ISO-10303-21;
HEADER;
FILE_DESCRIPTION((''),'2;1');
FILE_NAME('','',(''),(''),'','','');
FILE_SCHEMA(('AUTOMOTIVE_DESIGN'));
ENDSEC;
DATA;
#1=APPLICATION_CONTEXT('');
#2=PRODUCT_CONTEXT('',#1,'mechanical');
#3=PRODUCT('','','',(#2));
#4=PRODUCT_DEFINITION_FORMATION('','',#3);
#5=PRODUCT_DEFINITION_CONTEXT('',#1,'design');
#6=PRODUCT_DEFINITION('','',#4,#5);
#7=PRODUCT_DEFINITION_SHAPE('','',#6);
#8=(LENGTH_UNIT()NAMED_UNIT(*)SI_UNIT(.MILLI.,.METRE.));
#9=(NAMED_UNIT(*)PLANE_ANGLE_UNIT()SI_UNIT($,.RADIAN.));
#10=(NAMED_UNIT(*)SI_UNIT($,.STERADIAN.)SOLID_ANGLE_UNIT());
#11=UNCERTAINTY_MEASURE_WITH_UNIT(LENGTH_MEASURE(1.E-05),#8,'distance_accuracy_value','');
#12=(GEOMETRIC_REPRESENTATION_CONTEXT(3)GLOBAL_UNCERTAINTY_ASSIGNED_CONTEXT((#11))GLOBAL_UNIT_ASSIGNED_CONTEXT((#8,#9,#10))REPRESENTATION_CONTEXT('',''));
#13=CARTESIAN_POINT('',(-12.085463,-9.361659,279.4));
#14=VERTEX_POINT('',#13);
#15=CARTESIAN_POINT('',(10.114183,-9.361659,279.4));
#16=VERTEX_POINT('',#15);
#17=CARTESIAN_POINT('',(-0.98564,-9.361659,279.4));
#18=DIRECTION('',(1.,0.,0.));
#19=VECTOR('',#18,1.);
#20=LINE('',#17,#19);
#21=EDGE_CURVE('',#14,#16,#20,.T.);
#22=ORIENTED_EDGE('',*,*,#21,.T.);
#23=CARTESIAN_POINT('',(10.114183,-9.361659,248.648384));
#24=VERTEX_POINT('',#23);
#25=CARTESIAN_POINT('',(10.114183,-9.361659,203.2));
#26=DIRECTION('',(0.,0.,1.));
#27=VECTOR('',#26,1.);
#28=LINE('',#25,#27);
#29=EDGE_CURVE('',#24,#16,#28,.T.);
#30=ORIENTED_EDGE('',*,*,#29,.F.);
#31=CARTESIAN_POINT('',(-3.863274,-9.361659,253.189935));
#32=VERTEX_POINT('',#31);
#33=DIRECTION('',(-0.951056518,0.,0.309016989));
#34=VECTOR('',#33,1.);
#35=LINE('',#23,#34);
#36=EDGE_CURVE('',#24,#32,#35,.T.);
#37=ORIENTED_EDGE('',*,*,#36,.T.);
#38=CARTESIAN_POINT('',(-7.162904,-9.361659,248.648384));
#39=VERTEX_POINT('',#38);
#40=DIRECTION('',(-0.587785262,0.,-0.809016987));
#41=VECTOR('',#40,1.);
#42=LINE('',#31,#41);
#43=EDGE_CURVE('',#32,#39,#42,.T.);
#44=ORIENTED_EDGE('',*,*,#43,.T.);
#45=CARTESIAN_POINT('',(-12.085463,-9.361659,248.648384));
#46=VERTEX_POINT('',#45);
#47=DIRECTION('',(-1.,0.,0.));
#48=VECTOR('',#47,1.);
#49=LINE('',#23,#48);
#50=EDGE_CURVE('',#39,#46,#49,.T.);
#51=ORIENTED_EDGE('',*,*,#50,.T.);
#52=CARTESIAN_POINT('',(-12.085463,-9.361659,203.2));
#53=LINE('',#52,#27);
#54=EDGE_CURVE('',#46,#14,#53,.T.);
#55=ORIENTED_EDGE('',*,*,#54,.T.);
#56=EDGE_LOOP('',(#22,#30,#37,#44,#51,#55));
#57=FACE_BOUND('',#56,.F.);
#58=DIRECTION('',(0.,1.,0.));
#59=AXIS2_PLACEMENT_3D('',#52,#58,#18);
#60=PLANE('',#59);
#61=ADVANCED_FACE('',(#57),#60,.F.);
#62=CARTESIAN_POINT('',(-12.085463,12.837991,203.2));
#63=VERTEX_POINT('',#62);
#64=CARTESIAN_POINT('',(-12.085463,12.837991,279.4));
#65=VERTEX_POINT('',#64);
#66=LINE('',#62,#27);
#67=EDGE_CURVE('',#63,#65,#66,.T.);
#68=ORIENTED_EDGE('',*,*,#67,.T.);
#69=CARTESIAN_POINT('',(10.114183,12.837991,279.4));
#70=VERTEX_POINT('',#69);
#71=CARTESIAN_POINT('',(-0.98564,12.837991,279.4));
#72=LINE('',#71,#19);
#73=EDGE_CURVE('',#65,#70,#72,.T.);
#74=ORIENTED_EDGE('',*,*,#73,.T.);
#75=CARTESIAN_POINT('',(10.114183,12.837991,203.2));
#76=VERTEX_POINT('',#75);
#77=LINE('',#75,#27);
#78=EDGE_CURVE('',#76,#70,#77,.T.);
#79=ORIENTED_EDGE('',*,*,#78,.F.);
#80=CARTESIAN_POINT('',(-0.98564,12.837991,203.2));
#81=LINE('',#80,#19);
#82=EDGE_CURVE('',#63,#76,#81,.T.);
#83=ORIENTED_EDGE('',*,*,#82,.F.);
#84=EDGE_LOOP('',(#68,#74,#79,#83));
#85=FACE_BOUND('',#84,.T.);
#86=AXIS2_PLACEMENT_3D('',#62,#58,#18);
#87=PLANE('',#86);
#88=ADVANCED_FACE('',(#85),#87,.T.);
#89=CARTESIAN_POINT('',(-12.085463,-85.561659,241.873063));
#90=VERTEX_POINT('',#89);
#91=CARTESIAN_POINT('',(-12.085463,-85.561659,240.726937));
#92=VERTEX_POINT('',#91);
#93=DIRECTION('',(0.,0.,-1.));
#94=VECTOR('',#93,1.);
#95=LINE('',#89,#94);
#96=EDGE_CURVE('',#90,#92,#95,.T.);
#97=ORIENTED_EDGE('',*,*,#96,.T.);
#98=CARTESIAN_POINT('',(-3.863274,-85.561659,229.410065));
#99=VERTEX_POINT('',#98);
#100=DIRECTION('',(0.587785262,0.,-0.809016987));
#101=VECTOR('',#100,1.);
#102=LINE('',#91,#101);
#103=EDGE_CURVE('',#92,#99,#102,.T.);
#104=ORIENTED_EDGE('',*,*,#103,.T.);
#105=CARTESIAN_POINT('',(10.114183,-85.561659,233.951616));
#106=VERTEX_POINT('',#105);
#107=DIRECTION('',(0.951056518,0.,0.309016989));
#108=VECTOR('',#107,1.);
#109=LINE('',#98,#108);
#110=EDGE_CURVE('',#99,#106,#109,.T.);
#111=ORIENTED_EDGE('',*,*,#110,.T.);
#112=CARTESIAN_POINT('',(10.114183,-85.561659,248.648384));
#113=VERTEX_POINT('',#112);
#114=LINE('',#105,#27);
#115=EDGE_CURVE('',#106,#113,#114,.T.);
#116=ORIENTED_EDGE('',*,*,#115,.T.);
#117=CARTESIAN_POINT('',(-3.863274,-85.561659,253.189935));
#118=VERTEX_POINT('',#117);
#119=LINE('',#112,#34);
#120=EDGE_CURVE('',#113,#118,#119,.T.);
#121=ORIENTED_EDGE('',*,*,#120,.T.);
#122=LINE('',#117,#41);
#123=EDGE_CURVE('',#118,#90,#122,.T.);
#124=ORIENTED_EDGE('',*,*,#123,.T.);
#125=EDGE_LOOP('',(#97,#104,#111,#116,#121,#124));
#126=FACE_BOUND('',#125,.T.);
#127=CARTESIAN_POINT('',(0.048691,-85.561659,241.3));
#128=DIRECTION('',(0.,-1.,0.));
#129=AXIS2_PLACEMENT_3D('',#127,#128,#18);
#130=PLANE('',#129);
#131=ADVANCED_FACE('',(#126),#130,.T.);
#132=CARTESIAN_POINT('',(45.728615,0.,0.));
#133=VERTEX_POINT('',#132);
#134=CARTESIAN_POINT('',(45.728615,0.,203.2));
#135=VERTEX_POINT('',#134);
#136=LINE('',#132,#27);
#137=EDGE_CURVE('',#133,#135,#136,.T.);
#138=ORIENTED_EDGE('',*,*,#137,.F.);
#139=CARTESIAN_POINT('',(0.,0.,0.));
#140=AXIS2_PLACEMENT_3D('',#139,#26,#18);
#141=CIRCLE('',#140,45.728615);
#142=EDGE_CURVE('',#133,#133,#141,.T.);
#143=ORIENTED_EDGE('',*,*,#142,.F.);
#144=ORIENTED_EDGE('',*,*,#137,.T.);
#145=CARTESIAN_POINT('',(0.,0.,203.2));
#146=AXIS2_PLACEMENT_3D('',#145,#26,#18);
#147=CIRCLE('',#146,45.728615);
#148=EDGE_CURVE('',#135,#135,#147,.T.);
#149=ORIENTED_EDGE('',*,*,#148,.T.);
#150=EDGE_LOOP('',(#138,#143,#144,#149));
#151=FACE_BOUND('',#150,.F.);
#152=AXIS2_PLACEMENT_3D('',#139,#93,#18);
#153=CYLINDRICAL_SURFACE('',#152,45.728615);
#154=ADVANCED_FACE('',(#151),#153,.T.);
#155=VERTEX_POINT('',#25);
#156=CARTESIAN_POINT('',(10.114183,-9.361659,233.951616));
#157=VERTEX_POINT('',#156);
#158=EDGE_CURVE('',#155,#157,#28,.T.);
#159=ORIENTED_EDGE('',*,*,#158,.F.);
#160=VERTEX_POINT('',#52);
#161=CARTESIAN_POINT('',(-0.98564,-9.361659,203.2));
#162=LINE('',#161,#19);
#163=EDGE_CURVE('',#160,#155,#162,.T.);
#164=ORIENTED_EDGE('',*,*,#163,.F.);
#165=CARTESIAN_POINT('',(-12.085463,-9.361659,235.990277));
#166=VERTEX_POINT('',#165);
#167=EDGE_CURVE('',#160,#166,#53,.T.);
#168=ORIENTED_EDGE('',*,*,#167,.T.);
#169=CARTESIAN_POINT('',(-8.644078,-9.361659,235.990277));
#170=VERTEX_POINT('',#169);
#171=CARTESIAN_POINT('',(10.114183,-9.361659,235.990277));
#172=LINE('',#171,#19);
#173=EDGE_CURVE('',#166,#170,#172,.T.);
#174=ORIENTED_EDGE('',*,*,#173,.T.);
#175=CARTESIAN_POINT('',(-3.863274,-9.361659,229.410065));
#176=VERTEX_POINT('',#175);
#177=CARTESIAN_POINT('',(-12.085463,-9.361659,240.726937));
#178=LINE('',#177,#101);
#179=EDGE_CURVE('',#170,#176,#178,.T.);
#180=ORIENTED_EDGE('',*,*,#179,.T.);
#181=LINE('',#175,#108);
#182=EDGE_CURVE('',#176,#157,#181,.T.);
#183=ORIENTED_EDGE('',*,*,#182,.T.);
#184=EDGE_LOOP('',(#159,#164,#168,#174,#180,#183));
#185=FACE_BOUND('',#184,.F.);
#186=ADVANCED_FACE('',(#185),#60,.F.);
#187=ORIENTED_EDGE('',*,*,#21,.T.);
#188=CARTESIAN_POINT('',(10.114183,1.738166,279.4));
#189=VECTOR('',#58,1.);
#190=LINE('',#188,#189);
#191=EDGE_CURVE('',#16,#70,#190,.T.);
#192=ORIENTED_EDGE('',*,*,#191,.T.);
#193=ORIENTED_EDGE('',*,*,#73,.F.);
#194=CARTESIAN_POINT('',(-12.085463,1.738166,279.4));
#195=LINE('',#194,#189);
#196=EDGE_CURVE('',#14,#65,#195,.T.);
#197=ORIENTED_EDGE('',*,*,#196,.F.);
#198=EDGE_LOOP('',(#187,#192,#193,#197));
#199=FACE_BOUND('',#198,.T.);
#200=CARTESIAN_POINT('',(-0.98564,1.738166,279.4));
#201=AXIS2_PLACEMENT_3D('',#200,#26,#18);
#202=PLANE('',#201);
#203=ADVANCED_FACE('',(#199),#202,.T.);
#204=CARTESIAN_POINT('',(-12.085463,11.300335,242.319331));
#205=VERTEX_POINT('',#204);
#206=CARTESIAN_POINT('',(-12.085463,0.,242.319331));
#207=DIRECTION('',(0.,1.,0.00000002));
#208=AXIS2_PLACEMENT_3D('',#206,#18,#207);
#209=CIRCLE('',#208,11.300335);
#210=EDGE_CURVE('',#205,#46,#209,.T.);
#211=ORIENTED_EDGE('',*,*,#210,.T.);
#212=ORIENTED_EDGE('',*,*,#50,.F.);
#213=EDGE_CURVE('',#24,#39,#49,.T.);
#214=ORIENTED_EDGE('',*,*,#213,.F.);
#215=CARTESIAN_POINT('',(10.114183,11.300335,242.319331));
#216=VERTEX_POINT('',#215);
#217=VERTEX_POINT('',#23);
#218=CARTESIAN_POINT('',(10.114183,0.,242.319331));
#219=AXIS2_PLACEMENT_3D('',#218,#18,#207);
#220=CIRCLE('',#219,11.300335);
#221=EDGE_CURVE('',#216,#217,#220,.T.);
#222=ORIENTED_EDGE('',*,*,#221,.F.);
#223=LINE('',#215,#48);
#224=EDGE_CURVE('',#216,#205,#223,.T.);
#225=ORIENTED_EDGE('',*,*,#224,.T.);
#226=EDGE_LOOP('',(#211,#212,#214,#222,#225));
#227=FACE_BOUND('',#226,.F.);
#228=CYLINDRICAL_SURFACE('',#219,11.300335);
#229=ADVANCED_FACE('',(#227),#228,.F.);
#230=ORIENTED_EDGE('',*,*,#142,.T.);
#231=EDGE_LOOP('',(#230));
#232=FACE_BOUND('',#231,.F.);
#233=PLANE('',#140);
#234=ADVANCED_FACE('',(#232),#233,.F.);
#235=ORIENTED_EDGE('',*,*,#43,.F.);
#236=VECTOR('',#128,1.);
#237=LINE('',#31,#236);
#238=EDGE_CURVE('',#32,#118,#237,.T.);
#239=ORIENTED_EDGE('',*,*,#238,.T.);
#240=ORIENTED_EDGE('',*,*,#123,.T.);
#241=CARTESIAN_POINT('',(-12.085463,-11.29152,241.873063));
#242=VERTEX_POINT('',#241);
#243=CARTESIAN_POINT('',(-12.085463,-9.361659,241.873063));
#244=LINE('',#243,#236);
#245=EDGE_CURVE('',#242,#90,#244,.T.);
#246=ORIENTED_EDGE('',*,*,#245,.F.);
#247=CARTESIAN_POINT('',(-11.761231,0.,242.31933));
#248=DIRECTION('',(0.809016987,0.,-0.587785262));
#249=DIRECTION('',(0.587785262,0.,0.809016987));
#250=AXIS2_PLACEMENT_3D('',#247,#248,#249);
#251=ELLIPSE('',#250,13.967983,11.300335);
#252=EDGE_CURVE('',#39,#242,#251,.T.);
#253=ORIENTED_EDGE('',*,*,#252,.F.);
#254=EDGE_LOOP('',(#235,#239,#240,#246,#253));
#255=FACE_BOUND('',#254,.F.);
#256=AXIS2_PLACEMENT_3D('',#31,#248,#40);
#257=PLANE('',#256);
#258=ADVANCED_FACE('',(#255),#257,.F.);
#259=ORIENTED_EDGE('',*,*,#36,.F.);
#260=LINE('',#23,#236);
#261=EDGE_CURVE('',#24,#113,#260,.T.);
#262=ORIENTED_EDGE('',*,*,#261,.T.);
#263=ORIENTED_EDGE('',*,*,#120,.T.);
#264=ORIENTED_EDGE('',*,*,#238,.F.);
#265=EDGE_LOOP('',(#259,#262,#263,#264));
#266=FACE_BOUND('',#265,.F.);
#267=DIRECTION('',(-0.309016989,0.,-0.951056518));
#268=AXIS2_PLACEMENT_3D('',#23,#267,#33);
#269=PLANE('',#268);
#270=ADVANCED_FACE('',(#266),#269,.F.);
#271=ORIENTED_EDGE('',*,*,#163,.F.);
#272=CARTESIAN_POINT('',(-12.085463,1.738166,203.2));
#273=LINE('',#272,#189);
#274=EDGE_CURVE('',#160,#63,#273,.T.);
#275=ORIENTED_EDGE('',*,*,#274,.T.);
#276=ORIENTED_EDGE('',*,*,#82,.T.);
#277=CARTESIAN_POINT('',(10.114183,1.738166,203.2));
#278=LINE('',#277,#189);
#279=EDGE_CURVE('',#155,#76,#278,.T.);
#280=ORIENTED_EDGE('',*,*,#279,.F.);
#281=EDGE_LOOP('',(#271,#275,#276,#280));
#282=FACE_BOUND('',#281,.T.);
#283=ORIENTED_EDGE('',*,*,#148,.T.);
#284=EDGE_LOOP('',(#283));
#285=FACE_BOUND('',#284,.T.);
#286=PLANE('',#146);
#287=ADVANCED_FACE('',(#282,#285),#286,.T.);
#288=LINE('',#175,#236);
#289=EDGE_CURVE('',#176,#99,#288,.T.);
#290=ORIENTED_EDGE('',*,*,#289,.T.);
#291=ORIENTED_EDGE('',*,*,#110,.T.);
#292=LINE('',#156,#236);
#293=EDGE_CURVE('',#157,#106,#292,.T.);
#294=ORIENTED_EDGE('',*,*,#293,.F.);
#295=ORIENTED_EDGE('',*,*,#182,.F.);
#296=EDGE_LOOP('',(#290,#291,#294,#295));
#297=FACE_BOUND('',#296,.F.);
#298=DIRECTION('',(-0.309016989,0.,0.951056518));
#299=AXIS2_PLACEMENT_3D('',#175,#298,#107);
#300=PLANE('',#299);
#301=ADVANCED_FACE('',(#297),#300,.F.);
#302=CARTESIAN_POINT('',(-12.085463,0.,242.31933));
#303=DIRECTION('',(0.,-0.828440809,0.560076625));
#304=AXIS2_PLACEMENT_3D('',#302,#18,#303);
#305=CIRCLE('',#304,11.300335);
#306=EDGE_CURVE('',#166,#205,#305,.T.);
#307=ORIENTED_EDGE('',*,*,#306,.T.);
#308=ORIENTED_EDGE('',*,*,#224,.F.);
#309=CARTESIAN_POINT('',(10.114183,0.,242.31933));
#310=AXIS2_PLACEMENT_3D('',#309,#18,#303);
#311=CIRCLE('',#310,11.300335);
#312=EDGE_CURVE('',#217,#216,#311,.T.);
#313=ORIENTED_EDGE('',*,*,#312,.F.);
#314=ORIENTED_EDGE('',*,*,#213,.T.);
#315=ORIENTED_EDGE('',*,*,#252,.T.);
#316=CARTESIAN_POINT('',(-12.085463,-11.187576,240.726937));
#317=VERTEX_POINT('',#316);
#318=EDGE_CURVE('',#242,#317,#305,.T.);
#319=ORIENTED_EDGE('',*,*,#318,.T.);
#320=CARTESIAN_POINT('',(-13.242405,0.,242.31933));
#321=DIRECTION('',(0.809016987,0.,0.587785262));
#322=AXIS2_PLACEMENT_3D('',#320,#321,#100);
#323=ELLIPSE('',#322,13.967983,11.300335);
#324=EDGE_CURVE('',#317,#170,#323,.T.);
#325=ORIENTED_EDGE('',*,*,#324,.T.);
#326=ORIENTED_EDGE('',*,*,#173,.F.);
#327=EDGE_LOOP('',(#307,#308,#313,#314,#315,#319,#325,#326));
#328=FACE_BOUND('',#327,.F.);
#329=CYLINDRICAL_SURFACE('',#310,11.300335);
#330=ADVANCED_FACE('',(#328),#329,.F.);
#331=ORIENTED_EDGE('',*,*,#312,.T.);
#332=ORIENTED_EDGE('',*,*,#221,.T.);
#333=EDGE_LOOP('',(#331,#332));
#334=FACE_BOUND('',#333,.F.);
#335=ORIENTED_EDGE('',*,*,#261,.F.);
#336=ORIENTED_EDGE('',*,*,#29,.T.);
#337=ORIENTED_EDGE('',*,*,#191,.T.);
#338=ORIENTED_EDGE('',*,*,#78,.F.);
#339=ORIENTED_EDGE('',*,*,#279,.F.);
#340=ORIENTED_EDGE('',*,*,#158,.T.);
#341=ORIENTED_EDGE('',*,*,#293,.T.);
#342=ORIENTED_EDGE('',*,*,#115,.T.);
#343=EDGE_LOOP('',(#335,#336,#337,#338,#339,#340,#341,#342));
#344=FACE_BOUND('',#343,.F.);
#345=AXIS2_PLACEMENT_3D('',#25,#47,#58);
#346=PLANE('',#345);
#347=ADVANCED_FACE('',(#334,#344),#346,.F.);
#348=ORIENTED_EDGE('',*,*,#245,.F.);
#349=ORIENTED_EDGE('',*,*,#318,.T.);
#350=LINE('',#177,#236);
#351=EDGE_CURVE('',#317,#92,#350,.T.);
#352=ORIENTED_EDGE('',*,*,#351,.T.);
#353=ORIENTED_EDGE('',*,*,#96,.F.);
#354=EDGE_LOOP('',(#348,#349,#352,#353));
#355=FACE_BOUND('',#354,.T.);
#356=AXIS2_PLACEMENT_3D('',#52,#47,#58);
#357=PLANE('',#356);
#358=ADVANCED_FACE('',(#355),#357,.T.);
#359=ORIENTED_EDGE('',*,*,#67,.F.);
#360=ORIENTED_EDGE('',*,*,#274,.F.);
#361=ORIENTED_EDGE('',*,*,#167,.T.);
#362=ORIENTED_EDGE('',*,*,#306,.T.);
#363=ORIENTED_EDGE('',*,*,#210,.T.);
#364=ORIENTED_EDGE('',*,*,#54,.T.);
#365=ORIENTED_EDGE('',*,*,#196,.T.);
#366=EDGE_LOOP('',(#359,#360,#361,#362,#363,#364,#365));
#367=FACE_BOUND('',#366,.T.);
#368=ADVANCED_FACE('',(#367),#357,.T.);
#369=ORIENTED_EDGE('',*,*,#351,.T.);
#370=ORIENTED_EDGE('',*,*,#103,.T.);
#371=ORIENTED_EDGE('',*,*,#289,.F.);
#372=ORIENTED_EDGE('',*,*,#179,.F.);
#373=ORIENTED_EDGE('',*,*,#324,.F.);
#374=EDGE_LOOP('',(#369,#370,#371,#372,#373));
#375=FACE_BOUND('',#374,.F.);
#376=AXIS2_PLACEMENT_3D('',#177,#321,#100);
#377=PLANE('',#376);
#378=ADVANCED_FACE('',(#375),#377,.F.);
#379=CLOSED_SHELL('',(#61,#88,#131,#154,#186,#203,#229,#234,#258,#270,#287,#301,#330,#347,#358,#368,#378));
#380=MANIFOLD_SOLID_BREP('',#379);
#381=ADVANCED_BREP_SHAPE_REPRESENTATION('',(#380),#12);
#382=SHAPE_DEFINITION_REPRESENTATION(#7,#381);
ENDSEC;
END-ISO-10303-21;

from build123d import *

# Parameters (mm, degrees)
F0_R     = 45.728615
F1_DEPTH = 203.2
F2_W     = 22.199646
F2_H     = 22.19965
F3_DEPTH = 76.2
F5_DEPTH = 76.2
F7_DEPTH = 25.4


with BuildPart() as f1:
    # F0 (on Top) → F1 (new body)
    with BuildSketch(Plane.XY):
        Circle(F0_R)
    extrude(amount=F1_DEPTH)

    # F2 (on face) → F3 (join)
    with BuildSketch(Plane.XY.offset(203.2)):
        with Locations((-0.98564, 1.738166)):
            Rectangle(F2_W, F2_H)
    extrude(amount=F3_DEPTH)

    # F4 (on face) → F5 (join)
    with BuildSketch(Plane.XZ.offset(9.361659)):
        Polygon((10.114183, 233.951616), (10.114183, 248.648384), (-3.863274, 253.189935), (-12.085463, 241.873063), (-12.085463, 240.726937), (-3.863274, 229.410065), align=None)
    extrude(amount=F5_DEPTH)

    # F6 (on face) → F7 (cut)
    with BuildSketch(Plane.YZ.offset(10.114183)):
        with BuildLine():
            ThreePointArc((-9.361659, 248.648384), (-3.309659, 231.514529), (11.300335, 242.319331))
            ThreePointArc((11.300335, 242.319331), (3.309659, 253.124132), (-9.361659, 248.648384))
        make_face()
    extrude(amount=-F7_DEPTH, mode=Mode.SUBTRACT)


solid = f1.part
